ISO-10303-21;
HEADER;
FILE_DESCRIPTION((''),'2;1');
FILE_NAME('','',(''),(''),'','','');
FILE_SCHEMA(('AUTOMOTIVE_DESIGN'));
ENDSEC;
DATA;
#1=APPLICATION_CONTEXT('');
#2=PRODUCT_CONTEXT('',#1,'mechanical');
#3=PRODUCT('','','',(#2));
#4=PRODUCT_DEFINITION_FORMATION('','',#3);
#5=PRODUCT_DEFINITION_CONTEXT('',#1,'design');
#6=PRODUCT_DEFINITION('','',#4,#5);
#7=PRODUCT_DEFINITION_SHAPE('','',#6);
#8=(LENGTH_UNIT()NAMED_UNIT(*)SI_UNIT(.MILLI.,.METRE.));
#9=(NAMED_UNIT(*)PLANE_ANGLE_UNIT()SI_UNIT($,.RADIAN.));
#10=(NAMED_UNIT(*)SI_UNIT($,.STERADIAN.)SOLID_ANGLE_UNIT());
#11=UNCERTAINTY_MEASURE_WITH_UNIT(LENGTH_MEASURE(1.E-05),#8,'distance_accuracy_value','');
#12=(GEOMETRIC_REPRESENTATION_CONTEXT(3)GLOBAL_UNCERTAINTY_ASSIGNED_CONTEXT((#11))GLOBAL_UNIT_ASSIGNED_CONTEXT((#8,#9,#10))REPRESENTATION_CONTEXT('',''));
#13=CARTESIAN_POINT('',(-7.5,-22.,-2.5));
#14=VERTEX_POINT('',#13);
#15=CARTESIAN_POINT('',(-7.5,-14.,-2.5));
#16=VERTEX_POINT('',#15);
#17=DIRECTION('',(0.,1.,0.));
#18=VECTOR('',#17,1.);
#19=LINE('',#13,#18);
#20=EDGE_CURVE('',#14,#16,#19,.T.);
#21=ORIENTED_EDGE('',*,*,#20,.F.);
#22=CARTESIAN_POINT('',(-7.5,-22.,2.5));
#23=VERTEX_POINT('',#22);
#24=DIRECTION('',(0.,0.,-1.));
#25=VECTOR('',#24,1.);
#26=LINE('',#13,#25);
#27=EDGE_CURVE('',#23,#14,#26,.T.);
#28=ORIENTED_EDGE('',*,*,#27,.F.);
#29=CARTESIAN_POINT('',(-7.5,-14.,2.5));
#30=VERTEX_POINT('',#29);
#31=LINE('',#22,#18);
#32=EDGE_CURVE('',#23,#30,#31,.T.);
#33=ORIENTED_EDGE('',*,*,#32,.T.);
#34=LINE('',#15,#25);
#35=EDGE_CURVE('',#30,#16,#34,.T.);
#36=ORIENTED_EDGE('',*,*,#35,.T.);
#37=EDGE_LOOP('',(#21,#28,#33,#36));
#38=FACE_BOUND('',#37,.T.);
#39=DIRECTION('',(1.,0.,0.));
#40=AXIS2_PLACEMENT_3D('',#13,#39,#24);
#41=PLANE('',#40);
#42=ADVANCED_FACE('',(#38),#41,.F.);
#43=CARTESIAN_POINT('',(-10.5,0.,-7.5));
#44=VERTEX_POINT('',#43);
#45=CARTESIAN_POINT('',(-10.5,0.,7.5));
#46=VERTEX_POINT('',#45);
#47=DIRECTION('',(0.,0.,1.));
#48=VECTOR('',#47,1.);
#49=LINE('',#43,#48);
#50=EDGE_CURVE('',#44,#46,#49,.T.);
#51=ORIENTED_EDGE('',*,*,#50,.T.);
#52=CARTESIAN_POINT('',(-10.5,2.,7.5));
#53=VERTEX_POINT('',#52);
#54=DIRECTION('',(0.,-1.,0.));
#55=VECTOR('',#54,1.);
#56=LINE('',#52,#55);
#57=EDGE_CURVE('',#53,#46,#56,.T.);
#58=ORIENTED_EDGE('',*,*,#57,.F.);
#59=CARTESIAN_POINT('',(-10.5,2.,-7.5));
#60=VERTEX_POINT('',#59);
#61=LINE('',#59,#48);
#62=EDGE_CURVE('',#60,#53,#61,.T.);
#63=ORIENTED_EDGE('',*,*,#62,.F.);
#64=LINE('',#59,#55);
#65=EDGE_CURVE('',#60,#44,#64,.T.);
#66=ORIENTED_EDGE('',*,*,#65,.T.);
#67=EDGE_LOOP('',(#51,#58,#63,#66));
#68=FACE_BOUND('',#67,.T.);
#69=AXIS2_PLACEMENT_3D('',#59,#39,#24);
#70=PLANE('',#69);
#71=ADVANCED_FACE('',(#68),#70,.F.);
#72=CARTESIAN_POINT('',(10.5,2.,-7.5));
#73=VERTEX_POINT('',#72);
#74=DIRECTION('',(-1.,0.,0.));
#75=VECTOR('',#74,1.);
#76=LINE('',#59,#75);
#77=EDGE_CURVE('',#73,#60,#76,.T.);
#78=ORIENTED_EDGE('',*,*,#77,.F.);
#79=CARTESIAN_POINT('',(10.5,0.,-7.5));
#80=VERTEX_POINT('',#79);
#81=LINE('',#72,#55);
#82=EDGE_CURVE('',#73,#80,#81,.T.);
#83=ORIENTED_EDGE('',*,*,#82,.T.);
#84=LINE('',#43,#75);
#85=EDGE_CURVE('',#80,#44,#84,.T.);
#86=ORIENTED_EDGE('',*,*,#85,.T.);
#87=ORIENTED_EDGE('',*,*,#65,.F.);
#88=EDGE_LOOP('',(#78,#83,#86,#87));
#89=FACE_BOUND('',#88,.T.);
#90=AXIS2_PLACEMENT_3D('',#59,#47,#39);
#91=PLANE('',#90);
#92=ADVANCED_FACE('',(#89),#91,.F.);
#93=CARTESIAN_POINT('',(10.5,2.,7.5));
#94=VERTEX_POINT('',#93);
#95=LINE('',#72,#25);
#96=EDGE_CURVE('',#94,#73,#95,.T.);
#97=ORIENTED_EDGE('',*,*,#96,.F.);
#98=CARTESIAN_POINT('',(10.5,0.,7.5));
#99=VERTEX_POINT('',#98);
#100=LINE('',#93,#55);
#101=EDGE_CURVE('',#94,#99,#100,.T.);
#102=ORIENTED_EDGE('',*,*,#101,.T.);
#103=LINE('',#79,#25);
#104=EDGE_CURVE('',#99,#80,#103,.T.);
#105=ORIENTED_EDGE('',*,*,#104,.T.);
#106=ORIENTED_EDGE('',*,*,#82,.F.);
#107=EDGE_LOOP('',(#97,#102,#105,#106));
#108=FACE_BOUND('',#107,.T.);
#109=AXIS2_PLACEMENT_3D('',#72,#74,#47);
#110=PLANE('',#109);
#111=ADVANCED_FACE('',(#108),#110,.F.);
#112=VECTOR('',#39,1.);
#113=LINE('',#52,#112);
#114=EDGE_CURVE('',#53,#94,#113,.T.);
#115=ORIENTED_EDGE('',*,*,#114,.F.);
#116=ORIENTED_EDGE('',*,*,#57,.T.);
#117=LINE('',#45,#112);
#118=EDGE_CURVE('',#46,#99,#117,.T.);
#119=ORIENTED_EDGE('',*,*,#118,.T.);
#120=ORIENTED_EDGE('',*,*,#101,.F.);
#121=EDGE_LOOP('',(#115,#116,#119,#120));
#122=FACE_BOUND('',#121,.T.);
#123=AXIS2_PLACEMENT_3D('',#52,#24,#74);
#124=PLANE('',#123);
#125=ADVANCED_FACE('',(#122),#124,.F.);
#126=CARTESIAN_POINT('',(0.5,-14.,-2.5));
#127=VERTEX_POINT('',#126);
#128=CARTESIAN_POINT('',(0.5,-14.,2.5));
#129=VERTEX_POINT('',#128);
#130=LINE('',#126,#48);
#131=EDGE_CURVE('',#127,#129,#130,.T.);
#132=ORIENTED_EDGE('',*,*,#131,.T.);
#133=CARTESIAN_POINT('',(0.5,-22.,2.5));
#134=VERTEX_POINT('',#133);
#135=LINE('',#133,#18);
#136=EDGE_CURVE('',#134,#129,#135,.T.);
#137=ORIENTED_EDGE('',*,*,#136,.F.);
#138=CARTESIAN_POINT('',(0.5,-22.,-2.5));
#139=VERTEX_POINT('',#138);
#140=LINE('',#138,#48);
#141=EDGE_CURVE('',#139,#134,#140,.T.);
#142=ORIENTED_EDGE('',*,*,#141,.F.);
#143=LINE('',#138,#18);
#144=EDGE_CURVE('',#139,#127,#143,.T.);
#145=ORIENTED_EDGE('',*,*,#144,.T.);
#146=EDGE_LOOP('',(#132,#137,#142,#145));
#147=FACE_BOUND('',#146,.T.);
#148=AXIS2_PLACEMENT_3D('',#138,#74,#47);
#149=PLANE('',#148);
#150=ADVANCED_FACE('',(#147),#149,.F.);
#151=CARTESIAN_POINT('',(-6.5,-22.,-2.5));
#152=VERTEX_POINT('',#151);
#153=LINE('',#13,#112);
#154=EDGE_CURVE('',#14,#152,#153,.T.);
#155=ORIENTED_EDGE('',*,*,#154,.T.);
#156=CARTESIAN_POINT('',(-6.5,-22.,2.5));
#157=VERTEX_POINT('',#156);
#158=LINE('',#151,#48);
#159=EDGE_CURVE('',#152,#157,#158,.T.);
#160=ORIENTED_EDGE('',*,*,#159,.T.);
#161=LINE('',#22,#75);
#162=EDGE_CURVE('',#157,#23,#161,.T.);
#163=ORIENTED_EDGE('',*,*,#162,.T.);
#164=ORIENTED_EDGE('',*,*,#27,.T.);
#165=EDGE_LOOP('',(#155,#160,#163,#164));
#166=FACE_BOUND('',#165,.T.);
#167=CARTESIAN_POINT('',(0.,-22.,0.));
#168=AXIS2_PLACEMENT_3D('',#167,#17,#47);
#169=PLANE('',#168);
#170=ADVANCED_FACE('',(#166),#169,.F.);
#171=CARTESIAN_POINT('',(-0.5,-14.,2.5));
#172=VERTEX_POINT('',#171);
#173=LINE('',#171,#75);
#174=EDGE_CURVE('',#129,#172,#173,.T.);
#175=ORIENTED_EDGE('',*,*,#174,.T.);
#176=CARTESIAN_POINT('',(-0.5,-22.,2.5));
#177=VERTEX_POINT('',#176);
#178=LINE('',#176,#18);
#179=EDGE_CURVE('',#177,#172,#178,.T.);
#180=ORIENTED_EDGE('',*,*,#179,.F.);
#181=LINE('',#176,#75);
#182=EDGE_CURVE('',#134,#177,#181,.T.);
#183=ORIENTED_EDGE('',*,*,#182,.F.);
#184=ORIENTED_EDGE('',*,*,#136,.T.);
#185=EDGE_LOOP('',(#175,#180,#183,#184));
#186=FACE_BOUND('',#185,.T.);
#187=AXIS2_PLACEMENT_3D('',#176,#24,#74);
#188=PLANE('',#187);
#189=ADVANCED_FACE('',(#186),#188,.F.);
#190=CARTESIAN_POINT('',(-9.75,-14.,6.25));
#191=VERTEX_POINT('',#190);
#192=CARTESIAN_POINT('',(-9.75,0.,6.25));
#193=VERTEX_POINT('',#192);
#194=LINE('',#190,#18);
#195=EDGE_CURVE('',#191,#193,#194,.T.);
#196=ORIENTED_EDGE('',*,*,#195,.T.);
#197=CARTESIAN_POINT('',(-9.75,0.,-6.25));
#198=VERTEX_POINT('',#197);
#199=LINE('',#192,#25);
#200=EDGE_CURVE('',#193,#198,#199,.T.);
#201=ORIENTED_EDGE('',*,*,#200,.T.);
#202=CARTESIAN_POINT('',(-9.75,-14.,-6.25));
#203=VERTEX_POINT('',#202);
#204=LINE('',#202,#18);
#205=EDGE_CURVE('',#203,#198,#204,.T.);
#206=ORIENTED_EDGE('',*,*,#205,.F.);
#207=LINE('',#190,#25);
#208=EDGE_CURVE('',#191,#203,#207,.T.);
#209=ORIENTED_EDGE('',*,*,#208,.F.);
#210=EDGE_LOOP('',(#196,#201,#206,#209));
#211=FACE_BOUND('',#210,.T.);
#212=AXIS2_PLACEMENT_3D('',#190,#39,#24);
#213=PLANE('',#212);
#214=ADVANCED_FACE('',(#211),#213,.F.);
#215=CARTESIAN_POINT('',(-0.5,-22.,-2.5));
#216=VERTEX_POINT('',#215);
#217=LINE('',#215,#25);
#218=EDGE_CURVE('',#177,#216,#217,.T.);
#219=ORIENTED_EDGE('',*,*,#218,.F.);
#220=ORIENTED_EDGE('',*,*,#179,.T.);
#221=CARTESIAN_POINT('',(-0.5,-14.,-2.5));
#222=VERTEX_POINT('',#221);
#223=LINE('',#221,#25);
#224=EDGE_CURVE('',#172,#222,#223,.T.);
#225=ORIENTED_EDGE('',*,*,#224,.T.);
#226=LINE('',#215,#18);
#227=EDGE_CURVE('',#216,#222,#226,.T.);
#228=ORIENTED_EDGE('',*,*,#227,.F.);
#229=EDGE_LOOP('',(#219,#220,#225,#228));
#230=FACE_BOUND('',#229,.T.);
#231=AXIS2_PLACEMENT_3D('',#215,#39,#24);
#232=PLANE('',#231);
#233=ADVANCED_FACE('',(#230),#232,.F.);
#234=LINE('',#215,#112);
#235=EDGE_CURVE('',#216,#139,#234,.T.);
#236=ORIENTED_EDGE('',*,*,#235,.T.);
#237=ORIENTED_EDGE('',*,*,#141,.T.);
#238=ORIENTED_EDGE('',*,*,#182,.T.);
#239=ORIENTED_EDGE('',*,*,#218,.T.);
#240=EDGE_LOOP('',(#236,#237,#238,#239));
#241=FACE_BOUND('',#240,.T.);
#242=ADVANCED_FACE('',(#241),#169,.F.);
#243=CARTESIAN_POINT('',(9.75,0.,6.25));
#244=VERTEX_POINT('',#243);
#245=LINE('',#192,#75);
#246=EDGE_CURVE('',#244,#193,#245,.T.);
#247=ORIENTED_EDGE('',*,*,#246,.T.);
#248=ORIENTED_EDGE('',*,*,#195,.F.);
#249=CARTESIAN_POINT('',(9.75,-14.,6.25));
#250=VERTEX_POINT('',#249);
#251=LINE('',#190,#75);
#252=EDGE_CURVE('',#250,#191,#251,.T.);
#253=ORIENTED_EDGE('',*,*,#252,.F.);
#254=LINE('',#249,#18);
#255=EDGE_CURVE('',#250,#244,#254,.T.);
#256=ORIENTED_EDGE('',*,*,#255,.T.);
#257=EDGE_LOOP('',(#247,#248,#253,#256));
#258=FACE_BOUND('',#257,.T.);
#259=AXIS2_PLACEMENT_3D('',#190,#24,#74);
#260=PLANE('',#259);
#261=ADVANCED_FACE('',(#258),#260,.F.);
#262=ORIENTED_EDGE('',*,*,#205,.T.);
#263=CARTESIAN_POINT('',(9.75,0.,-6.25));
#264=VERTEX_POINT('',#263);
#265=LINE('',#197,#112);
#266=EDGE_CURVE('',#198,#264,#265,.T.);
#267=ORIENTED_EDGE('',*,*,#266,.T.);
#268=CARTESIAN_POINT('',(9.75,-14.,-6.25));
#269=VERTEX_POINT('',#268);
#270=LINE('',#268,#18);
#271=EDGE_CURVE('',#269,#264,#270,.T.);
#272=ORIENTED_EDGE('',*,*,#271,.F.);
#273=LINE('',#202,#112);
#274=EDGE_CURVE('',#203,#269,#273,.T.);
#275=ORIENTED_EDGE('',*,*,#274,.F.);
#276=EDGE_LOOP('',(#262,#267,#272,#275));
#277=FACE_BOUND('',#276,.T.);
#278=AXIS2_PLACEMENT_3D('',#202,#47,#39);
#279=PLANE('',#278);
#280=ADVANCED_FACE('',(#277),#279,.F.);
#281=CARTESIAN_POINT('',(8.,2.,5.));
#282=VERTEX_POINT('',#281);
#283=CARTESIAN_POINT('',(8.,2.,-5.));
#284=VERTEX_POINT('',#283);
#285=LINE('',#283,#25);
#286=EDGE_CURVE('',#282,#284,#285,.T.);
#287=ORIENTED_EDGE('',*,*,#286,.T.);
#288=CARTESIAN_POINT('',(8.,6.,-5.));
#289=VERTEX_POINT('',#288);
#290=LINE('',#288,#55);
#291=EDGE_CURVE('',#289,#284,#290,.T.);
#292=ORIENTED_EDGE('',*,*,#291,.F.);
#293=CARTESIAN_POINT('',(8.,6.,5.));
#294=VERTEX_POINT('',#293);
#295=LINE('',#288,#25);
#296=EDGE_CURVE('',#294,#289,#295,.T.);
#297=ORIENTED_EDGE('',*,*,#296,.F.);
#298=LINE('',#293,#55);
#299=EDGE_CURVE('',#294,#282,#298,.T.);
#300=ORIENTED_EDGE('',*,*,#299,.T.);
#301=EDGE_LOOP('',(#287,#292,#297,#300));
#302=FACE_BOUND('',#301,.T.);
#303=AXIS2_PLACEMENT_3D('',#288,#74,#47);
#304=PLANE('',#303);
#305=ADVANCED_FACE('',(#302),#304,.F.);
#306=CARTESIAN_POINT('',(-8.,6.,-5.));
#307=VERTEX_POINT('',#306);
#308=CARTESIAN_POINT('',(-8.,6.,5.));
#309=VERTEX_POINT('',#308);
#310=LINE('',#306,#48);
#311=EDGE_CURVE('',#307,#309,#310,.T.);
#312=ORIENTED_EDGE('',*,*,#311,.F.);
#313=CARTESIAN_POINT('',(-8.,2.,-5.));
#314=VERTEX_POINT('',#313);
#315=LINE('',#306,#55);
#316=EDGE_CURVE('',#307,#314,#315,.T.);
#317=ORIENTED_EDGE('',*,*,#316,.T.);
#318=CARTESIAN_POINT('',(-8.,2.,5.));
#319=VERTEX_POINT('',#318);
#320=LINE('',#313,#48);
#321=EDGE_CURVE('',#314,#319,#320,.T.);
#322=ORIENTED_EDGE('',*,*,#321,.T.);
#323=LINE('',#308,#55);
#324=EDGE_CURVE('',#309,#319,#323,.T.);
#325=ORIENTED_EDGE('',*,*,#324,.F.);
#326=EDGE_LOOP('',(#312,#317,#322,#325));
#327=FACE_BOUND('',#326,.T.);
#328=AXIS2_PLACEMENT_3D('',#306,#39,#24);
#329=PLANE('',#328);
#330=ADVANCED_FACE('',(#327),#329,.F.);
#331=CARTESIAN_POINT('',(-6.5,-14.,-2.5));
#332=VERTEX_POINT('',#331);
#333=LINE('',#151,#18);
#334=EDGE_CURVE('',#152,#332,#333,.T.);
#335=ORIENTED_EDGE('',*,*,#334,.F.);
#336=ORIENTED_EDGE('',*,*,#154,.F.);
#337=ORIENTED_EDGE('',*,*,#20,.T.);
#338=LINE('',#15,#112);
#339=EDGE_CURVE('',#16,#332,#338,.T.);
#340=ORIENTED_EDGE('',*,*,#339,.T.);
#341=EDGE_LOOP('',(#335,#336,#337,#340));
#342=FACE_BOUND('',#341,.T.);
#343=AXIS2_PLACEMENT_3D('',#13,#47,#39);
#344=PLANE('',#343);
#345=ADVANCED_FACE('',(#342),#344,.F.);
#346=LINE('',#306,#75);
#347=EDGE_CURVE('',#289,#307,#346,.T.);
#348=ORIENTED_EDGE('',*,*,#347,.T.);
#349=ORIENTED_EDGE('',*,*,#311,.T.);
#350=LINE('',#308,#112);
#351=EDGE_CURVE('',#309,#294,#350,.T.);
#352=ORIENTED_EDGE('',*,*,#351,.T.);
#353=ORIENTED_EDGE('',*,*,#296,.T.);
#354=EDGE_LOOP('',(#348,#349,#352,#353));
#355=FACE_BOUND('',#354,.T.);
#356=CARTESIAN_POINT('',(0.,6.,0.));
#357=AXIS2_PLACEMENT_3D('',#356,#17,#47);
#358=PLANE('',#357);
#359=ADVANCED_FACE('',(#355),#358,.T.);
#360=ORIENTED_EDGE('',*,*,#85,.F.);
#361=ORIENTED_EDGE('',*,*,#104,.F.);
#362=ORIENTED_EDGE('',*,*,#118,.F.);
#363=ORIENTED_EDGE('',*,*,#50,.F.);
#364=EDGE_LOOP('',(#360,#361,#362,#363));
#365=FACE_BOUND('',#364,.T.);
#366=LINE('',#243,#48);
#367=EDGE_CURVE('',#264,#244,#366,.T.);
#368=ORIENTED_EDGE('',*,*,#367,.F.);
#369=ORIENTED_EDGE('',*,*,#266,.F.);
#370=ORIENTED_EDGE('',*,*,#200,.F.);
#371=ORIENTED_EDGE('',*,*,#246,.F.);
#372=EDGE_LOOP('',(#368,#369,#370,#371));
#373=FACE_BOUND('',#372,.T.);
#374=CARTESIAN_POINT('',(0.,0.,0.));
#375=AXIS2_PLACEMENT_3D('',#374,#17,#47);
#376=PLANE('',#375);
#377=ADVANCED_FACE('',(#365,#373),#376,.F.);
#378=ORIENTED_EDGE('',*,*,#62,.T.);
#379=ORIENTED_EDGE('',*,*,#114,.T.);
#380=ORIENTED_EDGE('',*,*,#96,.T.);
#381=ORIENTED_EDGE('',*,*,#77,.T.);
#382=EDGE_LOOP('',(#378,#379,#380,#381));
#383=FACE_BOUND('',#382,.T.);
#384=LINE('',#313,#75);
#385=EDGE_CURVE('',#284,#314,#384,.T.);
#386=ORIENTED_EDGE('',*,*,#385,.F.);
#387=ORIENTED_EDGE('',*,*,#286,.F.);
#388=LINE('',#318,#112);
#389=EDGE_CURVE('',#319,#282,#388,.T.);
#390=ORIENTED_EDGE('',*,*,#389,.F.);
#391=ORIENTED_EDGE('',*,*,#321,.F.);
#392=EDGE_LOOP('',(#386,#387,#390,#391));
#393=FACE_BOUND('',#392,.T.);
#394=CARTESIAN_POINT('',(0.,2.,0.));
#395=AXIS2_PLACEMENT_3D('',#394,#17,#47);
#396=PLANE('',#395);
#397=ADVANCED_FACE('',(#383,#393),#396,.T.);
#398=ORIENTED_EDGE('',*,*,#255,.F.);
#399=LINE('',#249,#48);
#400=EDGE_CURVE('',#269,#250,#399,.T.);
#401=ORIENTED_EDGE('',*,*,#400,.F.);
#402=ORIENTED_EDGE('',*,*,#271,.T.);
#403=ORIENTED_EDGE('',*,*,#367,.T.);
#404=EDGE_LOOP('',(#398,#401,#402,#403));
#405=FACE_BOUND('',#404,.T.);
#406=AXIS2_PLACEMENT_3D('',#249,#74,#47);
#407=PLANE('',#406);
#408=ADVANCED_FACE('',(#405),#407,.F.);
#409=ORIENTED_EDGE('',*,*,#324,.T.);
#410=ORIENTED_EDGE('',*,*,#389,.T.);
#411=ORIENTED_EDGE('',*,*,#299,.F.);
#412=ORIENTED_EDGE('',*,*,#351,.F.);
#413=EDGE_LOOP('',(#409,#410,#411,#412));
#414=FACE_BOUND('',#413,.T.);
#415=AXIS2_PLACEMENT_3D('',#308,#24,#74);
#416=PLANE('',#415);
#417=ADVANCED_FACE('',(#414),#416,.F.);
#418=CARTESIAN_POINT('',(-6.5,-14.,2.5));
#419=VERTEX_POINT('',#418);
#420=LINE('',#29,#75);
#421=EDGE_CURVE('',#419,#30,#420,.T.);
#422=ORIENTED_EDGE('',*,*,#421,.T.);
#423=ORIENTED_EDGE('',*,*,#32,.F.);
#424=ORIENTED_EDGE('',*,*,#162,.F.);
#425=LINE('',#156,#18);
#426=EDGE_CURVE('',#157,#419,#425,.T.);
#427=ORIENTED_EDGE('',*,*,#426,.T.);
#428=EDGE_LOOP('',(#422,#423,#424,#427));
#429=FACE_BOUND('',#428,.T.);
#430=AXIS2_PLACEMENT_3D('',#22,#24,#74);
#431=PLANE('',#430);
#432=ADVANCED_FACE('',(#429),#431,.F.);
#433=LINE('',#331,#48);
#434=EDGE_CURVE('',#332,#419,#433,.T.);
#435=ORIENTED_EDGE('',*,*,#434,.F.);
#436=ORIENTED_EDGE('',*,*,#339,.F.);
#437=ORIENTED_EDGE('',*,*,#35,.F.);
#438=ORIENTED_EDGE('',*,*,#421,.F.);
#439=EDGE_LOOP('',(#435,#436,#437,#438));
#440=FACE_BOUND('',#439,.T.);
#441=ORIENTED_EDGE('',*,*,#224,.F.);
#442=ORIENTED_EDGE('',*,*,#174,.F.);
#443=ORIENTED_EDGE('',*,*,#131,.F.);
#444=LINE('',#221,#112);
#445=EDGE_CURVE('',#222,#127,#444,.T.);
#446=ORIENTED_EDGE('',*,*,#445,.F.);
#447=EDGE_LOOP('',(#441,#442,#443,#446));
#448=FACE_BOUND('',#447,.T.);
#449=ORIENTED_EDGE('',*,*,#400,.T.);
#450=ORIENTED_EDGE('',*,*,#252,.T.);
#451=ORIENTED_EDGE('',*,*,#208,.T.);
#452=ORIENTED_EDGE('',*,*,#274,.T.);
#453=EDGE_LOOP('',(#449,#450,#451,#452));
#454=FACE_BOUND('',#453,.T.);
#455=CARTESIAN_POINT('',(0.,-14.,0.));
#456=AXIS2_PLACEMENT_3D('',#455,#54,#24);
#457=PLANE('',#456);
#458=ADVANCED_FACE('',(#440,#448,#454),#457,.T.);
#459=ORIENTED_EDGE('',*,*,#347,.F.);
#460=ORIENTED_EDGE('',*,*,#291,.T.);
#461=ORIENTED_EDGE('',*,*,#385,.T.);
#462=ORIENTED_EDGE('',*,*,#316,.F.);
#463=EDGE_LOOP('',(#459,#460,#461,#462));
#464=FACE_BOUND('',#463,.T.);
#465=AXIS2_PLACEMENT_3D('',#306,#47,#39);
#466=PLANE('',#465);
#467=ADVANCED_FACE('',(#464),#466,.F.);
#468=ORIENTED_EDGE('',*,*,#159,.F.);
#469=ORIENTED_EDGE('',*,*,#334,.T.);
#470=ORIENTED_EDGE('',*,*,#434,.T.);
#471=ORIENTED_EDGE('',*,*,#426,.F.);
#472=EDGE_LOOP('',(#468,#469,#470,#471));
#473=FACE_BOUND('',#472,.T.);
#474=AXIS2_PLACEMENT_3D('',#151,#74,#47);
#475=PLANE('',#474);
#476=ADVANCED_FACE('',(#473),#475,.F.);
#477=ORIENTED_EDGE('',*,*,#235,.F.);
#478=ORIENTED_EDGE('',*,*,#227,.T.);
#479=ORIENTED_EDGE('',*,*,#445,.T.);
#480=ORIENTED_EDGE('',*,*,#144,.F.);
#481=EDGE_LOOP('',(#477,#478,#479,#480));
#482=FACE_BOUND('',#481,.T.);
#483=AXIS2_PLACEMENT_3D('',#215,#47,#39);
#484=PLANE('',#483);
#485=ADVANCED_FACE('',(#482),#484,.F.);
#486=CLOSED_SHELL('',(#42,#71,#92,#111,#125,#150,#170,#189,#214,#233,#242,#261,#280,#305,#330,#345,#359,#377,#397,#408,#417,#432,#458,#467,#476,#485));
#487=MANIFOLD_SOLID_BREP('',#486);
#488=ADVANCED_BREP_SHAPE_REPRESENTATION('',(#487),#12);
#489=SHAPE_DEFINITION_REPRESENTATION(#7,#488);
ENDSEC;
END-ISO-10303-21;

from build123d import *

# Parameters (mm, degrees)
SKETCH_1_W      = 21
SKETCH_1_H      = 15
EXTRUDE_1_DEPTH = 2
SKETCH_2_W      = 16
SKETCH_2_H      = 10
EXTRUDE_2_DEPTH = 4
SKETCH_3_W      = 19.5
SKETCH_3_H      = 12.5
EXTRUDE_3_DEPTH = 14
SKETCH_4_W      = 1
SKETCH_4_H      = 5
EXTRUDE_4_DEPTH = 8


with BuildPart() as part:
    # Эскиз1 → Бобышка-Вытянуть1 (new body)
    with BuildSketch(Plane(origin=(0, 0, 0), x_dir=(1, 0, 0), z_dir=(0, 1, 0))):
        Rectangle(SKETCH_1_W, SKETCH_1_H)
    extrude(amount=EXTRUDE_1_DEPTH)

    # Эскиз2 → Бобышка-Вытянуть2 (add)
    with BuildSketch(Plane(origin=(0, 2, 0), x_dir=(1, 0, 0), z_dir=(0, 1, 0))):
        Rectangle(SKETCH_2_W, SKETCH_2_H)
    extrude(amount=EXTRUDE_2_DEPTH)

    # Эскиз3 → Бобышка-Вытянуть3 (add)
    with BuildSketch(Plane.XZ):
        Rectangle(SKETCH_3_W, SKETCH_3_H)
    extrude(amount=EXTRUDE_3_DEPTH)

    # Эскиз4 → Бобышка-Вытянуть4 (add)
    with BuildSketch(Plane.XZ.offset(14)):
        with Locations((-7, 0)):
            Rectangle(SKETCH_4_W, SKETCH_4_H)
        Rectangle(SKETCH_4_W, SKETCH_4_H)
    extrude(amount=EXTRUDE_4_DEPTH)


solid = part.part
